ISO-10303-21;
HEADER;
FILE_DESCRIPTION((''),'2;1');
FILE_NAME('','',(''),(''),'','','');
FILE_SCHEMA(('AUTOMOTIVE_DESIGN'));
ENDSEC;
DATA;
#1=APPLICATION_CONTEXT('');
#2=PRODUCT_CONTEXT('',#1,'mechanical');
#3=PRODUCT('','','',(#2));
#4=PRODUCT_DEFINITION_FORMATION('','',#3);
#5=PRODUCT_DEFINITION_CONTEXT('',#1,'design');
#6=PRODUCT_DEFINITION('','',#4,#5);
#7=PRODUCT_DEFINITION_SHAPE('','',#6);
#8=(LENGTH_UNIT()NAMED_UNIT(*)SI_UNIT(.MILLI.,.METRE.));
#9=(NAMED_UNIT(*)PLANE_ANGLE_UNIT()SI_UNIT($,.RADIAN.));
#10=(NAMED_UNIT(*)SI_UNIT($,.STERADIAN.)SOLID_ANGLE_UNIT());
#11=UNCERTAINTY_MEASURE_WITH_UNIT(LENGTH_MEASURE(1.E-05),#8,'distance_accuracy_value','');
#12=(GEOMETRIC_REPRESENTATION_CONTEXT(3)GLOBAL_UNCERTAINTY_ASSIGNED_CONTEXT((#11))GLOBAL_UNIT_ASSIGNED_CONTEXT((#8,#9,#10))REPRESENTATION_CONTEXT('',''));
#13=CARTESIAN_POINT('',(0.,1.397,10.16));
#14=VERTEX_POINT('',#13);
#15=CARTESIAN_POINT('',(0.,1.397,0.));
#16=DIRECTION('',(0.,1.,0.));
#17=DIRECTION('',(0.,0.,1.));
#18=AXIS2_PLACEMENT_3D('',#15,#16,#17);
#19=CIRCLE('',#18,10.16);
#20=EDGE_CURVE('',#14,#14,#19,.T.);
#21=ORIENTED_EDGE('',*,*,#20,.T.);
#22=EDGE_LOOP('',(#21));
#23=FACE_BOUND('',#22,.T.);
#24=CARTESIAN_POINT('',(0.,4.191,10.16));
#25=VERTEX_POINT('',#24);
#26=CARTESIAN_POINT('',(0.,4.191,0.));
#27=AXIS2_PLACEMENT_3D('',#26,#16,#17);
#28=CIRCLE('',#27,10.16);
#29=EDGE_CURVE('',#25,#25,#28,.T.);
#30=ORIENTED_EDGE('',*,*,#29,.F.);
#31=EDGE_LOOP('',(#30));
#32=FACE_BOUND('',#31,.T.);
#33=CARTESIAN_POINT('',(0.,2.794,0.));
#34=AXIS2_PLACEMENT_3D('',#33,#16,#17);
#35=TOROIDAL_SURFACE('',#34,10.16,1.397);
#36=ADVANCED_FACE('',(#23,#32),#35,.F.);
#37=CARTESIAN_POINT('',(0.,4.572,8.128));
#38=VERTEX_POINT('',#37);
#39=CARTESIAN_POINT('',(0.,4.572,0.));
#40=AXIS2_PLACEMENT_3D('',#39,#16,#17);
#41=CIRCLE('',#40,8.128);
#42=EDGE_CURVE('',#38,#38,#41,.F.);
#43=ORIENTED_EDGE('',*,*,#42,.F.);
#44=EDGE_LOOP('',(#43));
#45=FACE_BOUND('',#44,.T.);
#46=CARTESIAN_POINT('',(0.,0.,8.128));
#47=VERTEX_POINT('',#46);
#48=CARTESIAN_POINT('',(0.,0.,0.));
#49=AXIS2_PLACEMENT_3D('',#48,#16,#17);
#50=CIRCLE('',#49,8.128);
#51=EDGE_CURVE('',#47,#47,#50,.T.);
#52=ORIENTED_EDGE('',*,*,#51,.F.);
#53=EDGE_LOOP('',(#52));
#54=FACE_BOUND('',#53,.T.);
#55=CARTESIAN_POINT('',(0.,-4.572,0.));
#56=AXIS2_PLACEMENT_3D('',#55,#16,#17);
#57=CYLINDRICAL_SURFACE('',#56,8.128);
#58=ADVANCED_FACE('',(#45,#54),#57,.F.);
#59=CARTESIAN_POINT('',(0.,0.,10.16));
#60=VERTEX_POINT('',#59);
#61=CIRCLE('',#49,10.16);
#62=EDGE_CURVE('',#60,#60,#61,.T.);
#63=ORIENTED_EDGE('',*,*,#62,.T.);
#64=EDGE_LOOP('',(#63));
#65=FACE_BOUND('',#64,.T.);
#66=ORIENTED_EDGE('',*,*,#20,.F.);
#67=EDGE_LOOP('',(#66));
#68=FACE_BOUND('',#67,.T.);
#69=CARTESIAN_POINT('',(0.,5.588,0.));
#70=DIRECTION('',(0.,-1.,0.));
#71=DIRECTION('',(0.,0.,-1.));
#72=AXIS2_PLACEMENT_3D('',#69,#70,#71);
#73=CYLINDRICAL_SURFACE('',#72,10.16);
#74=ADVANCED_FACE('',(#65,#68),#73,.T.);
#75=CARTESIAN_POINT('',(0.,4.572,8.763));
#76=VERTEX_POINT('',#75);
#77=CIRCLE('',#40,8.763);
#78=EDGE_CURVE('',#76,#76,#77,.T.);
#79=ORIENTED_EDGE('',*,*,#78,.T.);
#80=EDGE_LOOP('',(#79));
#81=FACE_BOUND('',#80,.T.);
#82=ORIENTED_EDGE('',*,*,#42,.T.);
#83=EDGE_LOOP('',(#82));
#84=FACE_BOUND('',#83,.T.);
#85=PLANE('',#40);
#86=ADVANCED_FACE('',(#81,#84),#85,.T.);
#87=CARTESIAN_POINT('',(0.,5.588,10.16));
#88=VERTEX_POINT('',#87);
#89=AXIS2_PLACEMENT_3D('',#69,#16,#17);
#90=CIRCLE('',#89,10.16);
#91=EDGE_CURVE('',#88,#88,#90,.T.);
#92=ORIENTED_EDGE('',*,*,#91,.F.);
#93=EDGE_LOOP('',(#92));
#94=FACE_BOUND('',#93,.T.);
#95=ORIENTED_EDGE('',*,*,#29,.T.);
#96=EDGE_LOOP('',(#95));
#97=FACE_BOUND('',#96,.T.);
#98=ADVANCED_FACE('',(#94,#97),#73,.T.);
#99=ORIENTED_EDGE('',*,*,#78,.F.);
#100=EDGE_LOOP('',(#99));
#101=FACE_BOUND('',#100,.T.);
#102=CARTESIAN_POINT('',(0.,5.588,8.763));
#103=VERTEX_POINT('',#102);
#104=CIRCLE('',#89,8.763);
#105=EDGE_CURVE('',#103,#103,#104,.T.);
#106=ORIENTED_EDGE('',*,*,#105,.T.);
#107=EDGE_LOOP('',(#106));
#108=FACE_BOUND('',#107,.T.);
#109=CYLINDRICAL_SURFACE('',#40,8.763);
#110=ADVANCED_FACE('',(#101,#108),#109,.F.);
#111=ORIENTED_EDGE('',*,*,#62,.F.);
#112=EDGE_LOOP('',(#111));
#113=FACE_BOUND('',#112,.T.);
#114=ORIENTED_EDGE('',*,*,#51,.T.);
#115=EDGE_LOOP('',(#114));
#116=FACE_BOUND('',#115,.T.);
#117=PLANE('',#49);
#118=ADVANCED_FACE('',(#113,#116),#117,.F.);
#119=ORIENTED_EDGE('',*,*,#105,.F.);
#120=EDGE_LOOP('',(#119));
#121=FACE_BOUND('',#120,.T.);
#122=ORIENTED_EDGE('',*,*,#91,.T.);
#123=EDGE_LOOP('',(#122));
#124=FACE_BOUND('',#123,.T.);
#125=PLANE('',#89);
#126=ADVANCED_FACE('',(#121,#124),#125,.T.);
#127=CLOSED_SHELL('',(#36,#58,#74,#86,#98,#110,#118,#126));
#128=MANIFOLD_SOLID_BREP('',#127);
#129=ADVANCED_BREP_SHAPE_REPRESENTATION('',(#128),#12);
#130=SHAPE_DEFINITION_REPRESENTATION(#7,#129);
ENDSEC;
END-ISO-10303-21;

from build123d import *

# Parameters (mm, degrees)
SKETCH1_R           = 10.16
BOSS_EXTRUDE1_DEPTH = 5.588
SKETCH3_R           = 8.128
CUT_EXTRUDE1_DEPTH  = 10.16
SKETCH4_R           = 8.763
CUT_EXTRUDE2_DEPTH  = 1.016


with BuildPart() as part:
    # Sketch1 → Boss-Extrude1 (new body)
    with BuildSketch(Plane(origin=(0, 0, 0), x_dir=(1, 0, 0), z_dir=(0, 1, 0))):
        Circle(SKETCH1_R)
    extrude(amount=BOSS_EXTRUDE1_DEPTH)

    # Sketch2 → Cut-Revolve1 (revolve, cut)
    with BuildSketch(Plane.XY):
        with BuildLine():
            Line((-10.16, 4.191), (-10.16, 1.397))
            ThreePointArc((-10.16, 1.397), (-8.763, 2.794), (-10.16, 4.191))
        make_face()
    revolve(axis=Axis((0, 5.588, 0), (0, -1, 0)), mode=Mode.SUBTRACT)

    # Sketch3 → Cut-Extrude1 (cut)
    with BuildSketch(Plane(origin=(0, 5.588, 0), x_dir=(1, 0, 0), z_dir=(0, 1, 0))):
        Circle(SKETCH3_R)
    extrude(amount=-CUT_EXTRUDE1_DEPTH, mode=Mode.SUBTRACT)

    # Sketch4 → Cut-Extrude2 (cut)
    with BuildSketch(Plane(origin=(0, 5.588, 0), x_dir=(1, 0, 0), z_dir=(0, 1, 0))):
        Circle(SKETCH4_R)
    extrude(amount=-CUT_EXTRUDE2_DEPTH, mode=Mode.SUBTRACT)


solid = part.part
